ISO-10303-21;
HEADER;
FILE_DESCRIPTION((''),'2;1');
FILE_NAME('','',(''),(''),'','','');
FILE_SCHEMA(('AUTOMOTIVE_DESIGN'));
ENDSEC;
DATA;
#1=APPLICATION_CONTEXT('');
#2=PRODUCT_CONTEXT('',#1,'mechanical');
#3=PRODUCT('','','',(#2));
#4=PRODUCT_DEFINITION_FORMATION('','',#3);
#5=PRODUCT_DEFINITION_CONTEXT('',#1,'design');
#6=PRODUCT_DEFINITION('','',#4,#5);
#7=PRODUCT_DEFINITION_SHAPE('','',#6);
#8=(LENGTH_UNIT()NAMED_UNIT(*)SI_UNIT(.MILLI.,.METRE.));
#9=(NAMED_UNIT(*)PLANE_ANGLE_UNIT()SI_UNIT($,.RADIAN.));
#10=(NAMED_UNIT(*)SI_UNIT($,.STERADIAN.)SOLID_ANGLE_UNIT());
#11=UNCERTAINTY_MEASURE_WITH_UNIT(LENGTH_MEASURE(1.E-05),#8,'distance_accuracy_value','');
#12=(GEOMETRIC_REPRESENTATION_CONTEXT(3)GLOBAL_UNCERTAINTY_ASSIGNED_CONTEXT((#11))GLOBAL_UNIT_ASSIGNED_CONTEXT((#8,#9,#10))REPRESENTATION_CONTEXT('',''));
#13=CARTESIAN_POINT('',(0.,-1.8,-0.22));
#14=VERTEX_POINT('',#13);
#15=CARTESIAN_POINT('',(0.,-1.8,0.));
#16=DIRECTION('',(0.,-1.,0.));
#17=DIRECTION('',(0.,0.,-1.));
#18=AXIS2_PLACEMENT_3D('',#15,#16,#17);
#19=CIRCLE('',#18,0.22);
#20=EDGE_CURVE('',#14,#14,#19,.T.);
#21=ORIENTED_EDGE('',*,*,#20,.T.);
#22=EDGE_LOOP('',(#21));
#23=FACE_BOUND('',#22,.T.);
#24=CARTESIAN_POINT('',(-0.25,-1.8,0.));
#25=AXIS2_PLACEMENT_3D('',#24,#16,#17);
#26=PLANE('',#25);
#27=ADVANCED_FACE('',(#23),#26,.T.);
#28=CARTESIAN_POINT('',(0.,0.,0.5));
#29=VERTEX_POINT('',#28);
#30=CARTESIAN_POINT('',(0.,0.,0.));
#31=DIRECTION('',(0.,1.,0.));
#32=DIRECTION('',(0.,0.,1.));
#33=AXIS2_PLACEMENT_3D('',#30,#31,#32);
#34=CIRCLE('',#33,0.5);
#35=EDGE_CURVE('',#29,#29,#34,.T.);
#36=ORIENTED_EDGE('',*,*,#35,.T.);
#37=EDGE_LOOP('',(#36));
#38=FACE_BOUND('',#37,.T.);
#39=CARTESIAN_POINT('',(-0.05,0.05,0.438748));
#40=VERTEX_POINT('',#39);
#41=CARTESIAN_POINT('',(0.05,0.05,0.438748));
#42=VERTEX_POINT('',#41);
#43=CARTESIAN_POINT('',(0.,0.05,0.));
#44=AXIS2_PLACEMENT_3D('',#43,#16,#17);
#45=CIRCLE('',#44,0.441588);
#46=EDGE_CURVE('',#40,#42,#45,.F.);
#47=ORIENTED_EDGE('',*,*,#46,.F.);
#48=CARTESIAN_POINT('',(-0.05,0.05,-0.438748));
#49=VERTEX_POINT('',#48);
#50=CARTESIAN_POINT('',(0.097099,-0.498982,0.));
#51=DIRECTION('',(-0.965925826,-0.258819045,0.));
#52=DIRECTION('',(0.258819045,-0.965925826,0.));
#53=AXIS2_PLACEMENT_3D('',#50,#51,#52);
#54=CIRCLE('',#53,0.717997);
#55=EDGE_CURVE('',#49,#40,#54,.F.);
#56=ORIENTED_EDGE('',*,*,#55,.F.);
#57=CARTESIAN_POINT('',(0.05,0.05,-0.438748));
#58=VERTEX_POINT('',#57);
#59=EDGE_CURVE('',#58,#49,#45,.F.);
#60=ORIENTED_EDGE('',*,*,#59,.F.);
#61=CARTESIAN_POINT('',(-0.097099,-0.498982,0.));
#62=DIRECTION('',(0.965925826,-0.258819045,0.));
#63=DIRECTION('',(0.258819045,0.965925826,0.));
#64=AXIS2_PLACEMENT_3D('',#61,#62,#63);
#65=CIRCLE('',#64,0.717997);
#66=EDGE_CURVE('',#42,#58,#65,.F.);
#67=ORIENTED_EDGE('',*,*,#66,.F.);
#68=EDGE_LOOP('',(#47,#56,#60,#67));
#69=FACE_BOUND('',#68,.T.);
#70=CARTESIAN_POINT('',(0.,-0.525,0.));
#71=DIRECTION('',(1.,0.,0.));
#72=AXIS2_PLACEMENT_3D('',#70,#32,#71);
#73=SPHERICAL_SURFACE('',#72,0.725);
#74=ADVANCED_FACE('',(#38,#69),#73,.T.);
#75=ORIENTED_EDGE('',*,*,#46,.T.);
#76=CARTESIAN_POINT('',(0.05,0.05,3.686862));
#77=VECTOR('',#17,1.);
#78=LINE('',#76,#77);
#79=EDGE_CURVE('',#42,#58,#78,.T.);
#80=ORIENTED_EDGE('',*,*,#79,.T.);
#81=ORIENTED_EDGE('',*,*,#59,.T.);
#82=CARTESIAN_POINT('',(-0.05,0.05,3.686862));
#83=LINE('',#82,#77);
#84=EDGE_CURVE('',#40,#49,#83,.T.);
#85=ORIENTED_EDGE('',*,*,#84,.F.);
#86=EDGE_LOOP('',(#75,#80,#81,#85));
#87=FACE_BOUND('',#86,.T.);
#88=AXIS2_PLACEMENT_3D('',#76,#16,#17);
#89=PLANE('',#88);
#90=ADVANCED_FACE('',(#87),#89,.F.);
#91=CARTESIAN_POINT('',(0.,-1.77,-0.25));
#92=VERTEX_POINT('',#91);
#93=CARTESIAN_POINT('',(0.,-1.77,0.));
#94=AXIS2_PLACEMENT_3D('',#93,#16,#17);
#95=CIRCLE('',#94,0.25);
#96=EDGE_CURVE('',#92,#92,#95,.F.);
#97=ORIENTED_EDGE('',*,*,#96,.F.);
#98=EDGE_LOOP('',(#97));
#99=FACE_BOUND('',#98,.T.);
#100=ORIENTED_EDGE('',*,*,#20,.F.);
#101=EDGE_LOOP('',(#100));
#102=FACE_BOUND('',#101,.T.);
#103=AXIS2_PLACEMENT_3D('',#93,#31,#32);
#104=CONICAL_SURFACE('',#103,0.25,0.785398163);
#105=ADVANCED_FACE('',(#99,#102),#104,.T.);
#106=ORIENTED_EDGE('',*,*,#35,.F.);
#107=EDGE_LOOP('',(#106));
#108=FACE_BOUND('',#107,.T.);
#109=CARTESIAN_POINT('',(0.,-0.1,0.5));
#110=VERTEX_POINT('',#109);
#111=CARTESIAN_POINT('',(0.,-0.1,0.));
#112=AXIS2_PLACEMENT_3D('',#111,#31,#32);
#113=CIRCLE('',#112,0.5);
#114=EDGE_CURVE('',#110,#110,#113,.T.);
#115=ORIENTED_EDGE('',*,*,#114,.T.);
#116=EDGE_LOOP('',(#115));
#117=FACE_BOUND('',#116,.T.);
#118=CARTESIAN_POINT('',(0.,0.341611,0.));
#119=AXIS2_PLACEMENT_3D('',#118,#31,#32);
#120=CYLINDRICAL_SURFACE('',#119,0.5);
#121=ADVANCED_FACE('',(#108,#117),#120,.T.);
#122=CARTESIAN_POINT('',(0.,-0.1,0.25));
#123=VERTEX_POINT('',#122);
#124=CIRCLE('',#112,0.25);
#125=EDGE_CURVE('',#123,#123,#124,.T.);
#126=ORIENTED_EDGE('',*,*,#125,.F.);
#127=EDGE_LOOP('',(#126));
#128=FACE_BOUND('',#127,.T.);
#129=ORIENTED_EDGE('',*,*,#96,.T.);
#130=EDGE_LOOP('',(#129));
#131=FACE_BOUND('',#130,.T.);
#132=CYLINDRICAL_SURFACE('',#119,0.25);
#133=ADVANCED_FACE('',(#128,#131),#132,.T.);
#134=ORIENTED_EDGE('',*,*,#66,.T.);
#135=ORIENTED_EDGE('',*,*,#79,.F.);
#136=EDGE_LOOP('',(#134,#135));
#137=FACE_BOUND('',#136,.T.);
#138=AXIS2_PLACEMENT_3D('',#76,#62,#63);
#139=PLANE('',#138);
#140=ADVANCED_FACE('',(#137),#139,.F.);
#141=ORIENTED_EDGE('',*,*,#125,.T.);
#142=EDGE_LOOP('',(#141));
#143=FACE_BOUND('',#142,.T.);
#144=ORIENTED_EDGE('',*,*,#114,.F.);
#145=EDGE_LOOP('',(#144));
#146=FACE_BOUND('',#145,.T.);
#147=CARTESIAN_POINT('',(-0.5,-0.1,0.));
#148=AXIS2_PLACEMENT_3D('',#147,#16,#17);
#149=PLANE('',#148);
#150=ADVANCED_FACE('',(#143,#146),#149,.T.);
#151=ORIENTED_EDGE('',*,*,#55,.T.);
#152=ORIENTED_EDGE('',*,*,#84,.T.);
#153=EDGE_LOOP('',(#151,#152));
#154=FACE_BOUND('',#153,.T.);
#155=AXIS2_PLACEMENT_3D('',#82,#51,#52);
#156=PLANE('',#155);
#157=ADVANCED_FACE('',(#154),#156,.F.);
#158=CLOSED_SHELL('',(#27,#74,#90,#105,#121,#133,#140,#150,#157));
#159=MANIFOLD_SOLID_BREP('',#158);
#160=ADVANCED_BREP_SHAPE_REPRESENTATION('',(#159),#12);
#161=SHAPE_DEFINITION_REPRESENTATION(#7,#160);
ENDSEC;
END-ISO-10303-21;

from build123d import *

# Parameters (mm, degrees)
DOME1_FACE_RADIUS       = 0.5
DOME1_HEIGHT            = 0.2
CUT_EXTRUDE1_DEPTH      = 1.5
CUT_EXTRUDE1_DEPTH_BACK = 1.5
CHAMFER1_SIZE           = 0.03


with BuildPart() as part:
    # Sketch2 → Revolve5 (revolve)
    with BuildSketch(Plane.XY):
        Polygon((0, 0), (-0.5, 0), (-0.5, -0.1), (-0.25, -0.1), (-0.25, -1.8), (0, -1.8), align=None)
    revolve(axis=Axis((0, 0.341610835, 0), (0, -1, 0)))

    # Dome1: a dome of height H over a round flat face of radius A is a cap of a sphere of radius (A * A + H * H) / (2 * H)
    dome1_r = (DOME1_FACE_RADIUS * DOME1_FACE_RADIUS + DOME1_HEIGHT * DOME1_HEIGHT) / (2 * DOME1_HEIGHT)
    dome1_base = Plane((0, 0, 0), z_dir=(0, 1, 0))
    with Locations(dome1_base.offset(DOME1_HEIGHT - dome1_r)):
        dome1_ball = Sphere(dome1_r, mode=Mode.PRIVATE)
    add(split(dome1_ball, bisect_by=dome1_base, keep=Keep.TOP, mode=Mode.PRIVATE))

    # Sketch3 → Cut-Extrude1 (cut, two sides)
    with BuildSketch(Plane.XY) as cut_extrude1_sk:
        Polygon((3.753414684, 13.871331761), (0.088731951, 0.19454961), (0.05, 0.05), (-0.05, 0.05), (-0.088731951, 0.19454961), (-3.753414684, 13.871331761), (-3.753414684, 42.189825332), (3.753414684, 42.189825332), align=None)
    extrude(amount=CUT_EXTRUDE1_DEPTH, mode=Mode.SUBTRACT)
    extrude(cut_extrude1_sk.sketch, amount=-CUT_EXTRUDE1_DEPTH_BACK, mode=Mode.SUBTRACT)

    # Chamfer1
    chamfer1_edges = [part.edges().sort_by_distance(p)[0] for p in [
        (0.25, -1.8, 0),
    ]]
    chamfer(chamfer1_edges, length=CHAMFER1_SIZE)


solid = part.part
